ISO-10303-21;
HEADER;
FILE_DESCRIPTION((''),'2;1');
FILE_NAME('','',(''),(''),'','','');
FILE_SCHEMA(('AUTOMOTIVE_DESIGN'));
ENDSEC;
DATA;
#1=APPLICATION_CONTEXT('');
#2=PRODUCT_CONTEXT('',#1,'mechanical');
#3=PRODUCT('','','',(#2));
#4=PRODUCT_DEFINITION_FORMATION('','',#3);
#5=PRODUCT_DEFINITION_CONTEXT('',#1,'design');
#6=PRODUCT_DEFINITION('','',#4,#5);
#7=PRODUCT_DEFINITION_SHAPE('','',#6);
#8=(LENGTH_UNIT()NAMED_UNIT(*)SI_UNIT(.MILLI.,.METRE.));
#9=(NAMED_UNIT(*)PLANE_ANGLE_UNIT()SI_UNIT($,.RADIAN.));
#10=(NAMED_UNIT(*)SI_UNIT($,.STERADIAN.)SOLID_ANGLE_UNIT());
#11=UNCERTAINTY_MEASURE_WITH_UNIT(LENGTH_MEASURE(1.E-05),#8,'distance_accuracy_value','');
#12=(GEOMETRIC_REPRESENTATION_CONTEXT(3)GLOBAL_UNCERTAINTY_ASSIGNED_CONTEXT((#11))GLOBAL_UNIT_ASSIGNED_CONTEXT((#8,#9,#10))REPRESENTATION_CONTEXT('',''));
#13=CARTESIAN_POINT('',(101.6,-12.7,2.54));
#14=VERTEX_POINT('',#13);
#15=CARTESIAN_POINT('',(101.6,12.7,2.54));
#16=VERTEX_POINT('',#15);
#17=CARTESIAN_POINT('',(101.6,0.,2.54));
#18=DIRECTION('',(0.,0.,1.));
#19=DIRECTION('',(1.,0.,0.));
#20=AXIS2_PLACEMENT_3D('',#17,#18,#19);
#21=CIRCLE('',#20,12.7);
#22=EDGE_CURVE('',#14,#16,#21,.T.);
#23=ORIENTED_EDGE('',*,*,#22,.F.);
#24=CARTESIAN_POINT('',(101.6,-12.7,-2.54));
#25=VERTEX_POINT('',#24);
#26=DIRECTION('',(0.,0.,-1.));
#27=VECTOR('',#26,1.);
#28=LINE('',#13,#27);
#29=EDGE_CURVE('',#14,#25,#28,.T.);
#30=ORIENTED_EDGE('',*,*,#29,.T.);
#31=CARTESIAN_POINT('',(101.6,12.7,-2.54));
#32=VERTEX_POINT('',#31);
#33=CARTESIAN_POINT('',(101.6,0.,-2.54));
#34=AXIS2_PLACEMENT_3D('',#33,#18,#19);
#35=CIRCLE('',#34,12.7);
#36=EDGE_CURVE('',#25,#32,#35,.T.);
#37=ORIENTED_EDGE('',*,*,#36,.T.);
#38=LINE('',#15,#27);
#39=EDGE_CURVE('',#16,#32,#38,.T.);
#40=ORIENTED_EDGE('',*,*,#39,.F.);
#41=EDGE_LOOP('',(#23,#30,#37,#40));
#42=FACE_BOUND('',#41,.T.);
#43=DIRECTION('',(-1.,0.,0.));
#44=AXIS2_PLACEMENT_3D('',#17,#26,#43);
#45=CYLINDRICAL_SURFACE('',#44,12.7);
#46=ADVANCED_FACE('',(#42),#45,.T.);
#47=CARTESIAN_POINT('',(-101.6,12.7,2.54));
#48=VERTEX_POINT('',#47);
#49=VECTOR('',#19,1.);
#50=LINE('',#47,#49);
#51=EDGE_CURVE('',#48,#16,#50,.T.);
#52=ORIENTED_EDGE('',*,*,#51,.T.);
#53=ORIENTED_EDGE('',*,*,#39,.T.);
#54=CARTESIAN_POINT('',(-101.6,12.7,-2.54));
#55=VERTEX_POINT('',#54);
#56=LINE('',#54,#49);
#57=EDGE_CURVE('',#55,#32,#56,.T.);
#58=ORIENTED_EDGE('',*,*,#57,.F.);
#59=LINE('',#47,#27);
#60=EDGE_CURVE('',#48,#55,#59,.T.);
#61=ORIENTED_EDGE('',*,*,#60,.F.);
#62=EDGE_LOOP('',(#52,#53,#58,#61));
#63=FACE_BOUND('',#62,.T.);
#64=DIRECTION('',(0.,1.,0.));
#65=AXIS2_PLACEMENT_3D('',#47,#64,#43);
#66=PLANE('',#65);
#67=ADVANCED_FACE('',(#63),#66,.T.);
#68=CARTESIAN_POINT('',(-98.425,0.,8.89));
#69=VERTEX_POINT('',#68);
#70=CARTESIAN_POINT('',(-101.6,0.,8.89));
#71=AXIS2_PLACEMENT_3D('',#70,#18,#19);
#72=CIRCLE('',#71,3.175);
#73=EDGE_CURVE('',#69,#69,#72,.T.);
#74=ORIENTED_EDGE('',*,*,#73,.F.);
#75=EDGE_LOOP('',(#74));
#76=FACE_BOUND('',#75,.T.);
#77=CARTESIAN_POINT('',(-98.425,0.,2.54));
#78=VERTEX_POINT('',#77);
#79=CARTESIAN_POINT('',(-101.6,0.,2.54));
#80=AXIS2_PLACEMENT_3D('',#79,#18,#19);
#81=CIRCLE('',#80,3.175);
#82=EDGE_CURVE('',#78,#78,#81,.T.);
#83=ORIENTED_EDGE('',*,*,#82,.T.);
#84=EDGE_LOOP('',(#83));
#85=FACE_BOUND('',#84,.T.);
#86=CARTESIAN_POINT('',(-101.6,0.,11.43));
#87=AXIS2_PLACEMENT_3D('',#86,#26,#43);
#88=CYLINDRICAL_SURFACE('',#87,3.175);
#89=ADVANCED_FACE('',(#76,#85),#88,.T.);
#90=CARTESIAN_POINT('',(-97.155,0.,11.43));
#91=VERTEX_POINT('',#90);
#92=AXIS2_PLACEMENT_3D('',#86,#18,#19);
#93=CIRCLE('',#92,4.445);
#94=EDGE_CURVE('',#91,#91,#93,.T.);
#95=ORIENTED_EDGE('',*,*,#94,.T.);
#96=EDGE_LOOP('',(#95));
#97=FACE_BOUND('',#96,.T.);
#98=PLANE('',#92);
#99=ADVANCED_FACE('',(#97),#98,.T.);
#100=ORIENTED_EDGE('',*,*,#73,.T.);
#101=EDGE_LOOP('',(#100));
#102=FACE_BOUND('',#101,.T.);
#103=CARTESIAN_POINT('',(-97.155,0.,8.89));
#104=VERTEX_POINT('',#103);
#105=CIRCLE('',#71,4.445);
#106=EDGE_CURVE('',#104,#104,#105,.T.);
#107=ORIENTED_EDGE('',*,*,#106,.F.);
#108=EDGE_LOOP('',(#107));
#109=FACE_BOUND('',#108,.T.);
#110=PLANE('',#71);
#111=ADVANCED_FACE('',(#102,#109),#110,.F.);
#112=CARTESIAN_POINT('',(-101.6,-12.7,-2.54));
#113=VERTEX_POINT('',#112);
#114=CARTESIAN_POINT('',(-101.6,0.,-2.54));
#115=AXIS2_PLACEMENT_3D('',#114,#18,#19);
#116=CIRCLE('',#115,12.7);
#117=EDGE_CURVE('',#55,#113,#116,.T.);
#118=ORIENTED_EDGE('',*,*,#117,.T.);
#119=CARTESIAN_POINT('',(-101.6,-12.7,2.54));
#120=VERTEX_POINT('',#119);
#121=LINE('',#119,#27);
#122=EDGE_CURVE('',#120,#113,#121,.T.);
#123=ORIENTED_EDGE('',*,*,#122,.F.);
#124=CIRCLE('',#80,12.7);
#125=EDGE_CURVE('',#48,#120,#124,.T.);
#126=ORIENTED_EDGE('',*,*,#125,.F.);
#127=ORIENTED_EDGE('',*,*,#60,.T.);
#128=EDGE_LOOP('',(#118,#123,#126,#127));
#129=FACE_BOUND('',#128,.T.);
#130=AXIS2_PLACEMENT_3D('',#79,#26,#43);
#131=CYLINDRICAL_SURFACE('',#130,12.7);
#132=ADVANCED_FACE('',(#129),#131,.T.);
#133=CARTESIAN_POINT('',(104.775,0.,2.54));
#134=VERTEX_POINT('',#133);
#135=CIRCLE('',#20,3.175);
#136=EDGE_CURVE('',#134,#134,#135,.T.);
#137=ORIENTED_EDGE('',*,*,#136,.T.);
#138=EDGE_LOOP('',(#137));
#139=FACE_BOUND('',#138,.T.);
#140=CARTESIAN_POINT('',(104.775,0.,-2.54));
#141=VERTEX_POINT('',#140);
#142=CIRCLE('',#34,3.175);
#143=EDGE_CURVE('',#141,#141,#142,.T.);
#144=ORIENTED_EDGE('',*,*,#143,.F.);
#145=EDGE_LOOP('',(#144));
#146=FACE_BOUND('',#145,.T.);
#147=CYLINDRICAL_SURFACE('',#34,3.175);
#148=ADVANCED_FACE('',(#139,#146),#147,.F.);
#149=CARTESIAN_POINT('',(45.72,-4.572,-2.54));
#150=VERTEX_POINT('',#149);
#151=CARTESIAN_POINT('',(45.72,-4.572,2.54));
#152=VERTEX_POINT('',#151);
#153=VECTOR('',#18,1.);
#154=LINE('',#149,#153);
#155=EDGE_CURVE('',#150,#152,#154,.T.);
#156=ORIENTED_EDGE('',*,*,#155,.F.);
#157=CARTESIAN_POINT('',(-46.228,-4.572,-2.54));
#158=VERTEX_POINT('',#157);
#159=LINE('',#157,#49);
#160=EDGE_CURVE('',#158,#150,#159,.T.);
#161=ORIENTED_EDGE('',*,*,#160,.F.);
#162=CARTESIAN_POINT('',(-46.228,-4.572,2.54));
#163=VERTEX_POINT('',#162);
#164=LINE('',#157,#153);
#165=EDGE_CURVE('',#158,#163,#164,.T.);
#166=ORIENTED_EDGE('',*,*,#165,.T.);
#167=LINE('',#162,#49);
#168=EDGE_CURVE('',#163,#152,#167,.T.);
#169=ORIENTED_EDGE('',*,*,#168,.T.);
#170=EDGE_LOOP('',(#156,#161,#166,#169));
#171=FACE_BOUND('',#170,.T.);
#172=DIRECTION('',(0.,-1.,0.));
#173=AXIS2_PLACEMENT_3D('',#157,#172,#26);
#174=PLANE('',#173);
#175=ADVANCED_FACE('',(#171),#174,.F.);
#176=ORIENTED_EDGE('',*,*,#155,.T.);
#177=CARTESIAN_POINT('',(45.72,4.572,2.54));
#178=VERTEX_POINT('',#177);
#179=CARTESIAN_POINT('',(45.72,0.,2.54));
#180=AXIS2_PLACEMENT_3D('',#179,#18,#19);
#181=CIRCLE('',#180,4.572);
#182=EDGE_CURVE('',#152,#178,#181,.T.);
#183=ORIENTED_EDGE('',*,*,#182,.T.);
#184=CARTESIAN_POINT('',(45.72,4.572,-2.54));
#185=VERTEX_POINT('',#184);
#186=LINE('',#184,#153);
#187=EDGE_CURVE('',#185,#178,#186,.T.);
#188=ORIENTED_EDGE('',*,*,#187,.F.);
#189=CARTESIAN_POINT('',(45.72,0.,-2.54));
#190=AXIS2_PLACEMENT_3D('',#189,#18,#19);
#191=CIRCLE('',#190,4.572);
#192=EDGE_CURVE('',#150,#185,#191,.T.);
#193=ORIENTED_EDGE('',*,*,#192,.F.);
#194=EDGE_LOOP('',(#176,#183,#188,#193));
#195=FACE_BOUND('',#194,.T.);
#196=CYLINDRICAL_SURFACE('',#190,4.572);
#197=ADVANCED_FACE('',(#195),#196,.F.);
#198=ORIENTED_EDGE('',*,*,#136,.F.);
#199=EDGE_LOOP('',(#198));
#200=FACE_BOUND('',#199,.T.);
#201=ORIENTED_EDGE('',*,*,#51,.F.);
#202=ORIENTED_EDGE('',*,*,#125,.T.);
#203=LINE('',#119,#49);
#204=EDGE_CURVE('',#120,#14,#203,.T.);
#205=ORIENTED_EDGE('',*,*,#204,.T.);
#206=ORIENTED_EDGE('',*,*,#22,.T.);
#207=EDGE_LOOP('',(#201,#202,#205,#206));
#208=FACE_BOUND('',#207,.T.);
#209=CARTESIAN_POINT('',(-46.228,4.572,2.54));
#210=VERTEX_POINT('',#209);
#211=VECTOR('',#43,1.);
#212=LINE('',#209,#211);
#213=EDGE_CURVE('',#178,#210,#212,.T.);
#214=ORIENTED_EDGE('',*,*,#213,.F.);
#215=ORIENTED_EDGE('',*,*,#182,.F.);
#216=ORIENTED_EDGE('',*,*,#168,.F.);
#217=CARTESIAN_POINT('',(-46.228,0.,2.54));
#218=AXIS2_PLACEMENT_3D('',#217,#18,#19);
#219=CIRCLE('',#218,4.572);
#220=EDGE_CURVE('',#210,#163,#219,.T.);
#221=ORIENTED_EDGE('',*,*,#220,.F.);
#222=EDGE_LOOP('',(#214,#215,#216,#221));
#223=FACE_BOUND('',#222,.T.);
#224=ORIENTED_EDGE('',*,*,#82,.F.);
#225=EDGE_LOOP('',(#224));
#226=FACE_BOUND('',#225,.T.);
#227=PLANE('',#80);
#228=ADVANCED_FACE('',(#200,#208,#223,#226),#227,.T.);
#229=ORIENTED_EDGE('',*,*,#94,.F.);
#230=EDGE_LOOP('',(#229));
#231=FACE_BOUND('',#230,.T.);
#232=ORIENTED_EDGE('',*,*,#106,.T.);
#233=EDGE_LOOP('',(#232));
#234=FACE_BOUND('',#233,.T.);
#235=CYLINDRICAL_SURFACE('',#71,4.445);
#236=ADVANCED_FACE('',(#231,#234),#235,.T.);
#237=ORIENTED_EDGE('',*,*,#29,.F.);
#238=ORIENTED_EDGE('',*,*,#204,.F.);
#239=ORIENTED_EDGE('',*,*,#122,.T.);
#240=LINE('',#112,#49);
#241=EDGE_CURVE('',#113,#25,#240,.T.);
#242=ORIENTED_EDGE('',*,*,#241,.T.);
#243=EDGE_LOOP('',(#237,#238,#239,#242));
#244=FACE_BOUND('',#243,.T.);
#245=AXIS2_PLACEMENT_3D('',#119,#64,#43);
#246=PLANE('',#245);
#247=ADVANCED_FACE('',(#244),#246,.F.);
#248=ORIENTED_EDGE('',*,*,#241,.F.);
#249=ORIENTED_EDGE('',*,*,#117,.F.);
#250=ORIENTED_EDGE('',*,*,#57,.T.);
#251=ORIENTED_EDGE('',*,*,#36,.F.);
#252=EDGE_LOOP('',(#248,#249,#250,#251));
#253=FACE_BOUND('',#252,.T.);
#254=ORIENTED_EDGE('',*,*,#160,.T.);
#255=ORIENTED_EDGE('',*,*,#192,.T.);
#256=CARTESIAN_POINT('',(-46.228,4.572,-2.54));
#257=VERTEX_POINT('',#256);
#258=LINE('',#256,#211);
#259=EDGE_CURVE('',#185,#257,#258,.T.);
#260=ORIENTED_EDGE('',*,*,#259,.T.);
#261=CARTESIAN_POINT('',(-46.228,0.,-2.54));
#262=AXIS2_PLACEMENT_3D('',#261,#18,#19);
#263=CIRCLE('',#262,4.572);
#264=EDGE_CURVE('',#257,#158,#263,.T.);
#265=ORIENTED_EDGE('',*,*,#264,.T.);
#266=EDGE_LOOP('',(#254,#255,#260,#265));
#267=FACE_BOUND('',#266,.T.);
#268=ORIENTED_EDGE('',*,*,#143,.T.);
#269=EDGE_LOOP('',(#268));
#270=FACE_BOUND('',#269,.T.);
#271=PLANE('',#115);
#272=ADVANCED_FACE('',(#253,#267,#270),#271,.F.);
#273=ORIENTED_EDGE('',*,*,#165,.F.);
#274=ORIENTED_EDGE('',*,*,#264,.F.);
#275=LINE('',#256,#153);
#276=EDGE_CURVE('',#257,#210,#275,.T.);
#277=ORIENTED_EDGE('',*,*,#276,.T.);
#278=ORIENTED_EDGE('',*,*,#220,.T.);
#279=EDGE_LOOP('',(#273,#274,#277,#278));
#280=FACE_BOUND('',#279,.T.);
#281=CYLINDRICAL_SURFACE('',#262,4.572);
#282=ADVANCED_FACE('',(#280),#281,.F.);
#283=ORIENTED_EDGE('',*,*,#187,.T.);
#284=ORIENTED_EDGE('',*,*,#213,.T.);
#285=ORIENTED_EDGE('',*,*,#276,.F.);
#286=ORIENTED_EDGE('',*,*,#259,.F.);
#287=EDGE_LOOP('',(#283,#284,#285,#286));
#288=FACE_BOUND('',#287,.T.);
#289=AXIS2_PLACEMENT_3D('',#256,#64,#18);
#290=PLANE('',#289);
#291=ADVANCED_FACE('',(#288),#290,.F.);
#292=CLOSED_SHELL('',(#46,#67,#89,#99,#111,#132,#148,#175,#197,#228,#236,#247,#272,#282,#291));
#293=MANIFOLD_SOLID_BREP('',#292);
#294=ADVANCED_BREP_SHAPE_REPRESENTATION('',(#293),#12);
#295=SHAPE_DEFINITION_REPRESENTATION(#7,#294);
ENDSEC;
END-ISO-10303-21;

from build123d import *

# Parameters (mm, degrees)
BOSS_EXTRUDE1_DEPTH = 2.54
SKETCH2_R           = 3.175
CUT_EXTRUDE1_DEPTH  = 116.115535007
CUT_EXTRUDE2_DEPTH  = 116.115535007
SKETCH4_R           = 3.175
BOSS_EXTRUDE2_DEPTH = 8.89
SKETCH5_R           = 4.445
BOSS_EXTRUDE3_DEPTH = 2.54


with BuildPart() as part:
    # Sketch1 → Boss-Extrude1 (new, symmetric)
    with BuildSketch(Plane.XY):
        with BuildLine():
            Line((-101.6, 12.7), (101.6, 12.7))
            ThreePointArc((101.6, 12.7), (114.3, 0), (101.6, -12.7))
            Line((101.6, -12.7), (-101.6, -12.7))
            ThreePointArc((-101.6, -12.7), (-114.3, 0), (-101.6, 12.7))
        make_face()
    extrude(amount=BOSS_EXTRUDE1_DEPTH, both=True)

    # Sketch2 → Cut-Extrude1 (cut, through all)
    with BuildSketch(Plane.XY.offset(2.54)):
        with Locations((101.6, 0)):
            Circle(SKETCH2_R)
    extrude(amount=-CUT_EXTRUDE1_DEPTH, mode=Mode.SUBTRACT)

    # Sketch3 → Cut-Extrude2 (cut, through all)
    with BuildSketch(Plane.XY.offset(2.54)):
        with BuildLine():
            Line((-46.228, 4.572), (45.72, 4.572))
            ThreePointArc((45.72, 4.572), (50.292, 0), (45.72, -4.572))
            Line((45.72, -4.572), (-46.228, -4.572))
            ThreePointArc((-46.228, -4.572), (-50.8, 0), (-46.228, 4.572))
        make_face()
    extrude(amount=-CUT_EXTRUDE2_DEPTH, mode=Mode.SUBTRACT)

    # Sketch4 → Boss-Extrude2 (add)
    with BuildSketch(Plane.XY.offset(2.54)):
        with Locations((-101.6, 0)):
            Circle(SKETCH4_R)
    extrude(amount=BOSS_EXTRUDE2_DEPTH)

    # Sketch5 → Boss-Extrude3 (add)
    with BuildSketch(Plane.XY.offset(11.43)):
        with Locations((-101.6, 0)):
            Circle(SKETCH5_R)
    extrude(amount=-BOSS_EXTRUDE3_DEPTH)


solid = part.part
